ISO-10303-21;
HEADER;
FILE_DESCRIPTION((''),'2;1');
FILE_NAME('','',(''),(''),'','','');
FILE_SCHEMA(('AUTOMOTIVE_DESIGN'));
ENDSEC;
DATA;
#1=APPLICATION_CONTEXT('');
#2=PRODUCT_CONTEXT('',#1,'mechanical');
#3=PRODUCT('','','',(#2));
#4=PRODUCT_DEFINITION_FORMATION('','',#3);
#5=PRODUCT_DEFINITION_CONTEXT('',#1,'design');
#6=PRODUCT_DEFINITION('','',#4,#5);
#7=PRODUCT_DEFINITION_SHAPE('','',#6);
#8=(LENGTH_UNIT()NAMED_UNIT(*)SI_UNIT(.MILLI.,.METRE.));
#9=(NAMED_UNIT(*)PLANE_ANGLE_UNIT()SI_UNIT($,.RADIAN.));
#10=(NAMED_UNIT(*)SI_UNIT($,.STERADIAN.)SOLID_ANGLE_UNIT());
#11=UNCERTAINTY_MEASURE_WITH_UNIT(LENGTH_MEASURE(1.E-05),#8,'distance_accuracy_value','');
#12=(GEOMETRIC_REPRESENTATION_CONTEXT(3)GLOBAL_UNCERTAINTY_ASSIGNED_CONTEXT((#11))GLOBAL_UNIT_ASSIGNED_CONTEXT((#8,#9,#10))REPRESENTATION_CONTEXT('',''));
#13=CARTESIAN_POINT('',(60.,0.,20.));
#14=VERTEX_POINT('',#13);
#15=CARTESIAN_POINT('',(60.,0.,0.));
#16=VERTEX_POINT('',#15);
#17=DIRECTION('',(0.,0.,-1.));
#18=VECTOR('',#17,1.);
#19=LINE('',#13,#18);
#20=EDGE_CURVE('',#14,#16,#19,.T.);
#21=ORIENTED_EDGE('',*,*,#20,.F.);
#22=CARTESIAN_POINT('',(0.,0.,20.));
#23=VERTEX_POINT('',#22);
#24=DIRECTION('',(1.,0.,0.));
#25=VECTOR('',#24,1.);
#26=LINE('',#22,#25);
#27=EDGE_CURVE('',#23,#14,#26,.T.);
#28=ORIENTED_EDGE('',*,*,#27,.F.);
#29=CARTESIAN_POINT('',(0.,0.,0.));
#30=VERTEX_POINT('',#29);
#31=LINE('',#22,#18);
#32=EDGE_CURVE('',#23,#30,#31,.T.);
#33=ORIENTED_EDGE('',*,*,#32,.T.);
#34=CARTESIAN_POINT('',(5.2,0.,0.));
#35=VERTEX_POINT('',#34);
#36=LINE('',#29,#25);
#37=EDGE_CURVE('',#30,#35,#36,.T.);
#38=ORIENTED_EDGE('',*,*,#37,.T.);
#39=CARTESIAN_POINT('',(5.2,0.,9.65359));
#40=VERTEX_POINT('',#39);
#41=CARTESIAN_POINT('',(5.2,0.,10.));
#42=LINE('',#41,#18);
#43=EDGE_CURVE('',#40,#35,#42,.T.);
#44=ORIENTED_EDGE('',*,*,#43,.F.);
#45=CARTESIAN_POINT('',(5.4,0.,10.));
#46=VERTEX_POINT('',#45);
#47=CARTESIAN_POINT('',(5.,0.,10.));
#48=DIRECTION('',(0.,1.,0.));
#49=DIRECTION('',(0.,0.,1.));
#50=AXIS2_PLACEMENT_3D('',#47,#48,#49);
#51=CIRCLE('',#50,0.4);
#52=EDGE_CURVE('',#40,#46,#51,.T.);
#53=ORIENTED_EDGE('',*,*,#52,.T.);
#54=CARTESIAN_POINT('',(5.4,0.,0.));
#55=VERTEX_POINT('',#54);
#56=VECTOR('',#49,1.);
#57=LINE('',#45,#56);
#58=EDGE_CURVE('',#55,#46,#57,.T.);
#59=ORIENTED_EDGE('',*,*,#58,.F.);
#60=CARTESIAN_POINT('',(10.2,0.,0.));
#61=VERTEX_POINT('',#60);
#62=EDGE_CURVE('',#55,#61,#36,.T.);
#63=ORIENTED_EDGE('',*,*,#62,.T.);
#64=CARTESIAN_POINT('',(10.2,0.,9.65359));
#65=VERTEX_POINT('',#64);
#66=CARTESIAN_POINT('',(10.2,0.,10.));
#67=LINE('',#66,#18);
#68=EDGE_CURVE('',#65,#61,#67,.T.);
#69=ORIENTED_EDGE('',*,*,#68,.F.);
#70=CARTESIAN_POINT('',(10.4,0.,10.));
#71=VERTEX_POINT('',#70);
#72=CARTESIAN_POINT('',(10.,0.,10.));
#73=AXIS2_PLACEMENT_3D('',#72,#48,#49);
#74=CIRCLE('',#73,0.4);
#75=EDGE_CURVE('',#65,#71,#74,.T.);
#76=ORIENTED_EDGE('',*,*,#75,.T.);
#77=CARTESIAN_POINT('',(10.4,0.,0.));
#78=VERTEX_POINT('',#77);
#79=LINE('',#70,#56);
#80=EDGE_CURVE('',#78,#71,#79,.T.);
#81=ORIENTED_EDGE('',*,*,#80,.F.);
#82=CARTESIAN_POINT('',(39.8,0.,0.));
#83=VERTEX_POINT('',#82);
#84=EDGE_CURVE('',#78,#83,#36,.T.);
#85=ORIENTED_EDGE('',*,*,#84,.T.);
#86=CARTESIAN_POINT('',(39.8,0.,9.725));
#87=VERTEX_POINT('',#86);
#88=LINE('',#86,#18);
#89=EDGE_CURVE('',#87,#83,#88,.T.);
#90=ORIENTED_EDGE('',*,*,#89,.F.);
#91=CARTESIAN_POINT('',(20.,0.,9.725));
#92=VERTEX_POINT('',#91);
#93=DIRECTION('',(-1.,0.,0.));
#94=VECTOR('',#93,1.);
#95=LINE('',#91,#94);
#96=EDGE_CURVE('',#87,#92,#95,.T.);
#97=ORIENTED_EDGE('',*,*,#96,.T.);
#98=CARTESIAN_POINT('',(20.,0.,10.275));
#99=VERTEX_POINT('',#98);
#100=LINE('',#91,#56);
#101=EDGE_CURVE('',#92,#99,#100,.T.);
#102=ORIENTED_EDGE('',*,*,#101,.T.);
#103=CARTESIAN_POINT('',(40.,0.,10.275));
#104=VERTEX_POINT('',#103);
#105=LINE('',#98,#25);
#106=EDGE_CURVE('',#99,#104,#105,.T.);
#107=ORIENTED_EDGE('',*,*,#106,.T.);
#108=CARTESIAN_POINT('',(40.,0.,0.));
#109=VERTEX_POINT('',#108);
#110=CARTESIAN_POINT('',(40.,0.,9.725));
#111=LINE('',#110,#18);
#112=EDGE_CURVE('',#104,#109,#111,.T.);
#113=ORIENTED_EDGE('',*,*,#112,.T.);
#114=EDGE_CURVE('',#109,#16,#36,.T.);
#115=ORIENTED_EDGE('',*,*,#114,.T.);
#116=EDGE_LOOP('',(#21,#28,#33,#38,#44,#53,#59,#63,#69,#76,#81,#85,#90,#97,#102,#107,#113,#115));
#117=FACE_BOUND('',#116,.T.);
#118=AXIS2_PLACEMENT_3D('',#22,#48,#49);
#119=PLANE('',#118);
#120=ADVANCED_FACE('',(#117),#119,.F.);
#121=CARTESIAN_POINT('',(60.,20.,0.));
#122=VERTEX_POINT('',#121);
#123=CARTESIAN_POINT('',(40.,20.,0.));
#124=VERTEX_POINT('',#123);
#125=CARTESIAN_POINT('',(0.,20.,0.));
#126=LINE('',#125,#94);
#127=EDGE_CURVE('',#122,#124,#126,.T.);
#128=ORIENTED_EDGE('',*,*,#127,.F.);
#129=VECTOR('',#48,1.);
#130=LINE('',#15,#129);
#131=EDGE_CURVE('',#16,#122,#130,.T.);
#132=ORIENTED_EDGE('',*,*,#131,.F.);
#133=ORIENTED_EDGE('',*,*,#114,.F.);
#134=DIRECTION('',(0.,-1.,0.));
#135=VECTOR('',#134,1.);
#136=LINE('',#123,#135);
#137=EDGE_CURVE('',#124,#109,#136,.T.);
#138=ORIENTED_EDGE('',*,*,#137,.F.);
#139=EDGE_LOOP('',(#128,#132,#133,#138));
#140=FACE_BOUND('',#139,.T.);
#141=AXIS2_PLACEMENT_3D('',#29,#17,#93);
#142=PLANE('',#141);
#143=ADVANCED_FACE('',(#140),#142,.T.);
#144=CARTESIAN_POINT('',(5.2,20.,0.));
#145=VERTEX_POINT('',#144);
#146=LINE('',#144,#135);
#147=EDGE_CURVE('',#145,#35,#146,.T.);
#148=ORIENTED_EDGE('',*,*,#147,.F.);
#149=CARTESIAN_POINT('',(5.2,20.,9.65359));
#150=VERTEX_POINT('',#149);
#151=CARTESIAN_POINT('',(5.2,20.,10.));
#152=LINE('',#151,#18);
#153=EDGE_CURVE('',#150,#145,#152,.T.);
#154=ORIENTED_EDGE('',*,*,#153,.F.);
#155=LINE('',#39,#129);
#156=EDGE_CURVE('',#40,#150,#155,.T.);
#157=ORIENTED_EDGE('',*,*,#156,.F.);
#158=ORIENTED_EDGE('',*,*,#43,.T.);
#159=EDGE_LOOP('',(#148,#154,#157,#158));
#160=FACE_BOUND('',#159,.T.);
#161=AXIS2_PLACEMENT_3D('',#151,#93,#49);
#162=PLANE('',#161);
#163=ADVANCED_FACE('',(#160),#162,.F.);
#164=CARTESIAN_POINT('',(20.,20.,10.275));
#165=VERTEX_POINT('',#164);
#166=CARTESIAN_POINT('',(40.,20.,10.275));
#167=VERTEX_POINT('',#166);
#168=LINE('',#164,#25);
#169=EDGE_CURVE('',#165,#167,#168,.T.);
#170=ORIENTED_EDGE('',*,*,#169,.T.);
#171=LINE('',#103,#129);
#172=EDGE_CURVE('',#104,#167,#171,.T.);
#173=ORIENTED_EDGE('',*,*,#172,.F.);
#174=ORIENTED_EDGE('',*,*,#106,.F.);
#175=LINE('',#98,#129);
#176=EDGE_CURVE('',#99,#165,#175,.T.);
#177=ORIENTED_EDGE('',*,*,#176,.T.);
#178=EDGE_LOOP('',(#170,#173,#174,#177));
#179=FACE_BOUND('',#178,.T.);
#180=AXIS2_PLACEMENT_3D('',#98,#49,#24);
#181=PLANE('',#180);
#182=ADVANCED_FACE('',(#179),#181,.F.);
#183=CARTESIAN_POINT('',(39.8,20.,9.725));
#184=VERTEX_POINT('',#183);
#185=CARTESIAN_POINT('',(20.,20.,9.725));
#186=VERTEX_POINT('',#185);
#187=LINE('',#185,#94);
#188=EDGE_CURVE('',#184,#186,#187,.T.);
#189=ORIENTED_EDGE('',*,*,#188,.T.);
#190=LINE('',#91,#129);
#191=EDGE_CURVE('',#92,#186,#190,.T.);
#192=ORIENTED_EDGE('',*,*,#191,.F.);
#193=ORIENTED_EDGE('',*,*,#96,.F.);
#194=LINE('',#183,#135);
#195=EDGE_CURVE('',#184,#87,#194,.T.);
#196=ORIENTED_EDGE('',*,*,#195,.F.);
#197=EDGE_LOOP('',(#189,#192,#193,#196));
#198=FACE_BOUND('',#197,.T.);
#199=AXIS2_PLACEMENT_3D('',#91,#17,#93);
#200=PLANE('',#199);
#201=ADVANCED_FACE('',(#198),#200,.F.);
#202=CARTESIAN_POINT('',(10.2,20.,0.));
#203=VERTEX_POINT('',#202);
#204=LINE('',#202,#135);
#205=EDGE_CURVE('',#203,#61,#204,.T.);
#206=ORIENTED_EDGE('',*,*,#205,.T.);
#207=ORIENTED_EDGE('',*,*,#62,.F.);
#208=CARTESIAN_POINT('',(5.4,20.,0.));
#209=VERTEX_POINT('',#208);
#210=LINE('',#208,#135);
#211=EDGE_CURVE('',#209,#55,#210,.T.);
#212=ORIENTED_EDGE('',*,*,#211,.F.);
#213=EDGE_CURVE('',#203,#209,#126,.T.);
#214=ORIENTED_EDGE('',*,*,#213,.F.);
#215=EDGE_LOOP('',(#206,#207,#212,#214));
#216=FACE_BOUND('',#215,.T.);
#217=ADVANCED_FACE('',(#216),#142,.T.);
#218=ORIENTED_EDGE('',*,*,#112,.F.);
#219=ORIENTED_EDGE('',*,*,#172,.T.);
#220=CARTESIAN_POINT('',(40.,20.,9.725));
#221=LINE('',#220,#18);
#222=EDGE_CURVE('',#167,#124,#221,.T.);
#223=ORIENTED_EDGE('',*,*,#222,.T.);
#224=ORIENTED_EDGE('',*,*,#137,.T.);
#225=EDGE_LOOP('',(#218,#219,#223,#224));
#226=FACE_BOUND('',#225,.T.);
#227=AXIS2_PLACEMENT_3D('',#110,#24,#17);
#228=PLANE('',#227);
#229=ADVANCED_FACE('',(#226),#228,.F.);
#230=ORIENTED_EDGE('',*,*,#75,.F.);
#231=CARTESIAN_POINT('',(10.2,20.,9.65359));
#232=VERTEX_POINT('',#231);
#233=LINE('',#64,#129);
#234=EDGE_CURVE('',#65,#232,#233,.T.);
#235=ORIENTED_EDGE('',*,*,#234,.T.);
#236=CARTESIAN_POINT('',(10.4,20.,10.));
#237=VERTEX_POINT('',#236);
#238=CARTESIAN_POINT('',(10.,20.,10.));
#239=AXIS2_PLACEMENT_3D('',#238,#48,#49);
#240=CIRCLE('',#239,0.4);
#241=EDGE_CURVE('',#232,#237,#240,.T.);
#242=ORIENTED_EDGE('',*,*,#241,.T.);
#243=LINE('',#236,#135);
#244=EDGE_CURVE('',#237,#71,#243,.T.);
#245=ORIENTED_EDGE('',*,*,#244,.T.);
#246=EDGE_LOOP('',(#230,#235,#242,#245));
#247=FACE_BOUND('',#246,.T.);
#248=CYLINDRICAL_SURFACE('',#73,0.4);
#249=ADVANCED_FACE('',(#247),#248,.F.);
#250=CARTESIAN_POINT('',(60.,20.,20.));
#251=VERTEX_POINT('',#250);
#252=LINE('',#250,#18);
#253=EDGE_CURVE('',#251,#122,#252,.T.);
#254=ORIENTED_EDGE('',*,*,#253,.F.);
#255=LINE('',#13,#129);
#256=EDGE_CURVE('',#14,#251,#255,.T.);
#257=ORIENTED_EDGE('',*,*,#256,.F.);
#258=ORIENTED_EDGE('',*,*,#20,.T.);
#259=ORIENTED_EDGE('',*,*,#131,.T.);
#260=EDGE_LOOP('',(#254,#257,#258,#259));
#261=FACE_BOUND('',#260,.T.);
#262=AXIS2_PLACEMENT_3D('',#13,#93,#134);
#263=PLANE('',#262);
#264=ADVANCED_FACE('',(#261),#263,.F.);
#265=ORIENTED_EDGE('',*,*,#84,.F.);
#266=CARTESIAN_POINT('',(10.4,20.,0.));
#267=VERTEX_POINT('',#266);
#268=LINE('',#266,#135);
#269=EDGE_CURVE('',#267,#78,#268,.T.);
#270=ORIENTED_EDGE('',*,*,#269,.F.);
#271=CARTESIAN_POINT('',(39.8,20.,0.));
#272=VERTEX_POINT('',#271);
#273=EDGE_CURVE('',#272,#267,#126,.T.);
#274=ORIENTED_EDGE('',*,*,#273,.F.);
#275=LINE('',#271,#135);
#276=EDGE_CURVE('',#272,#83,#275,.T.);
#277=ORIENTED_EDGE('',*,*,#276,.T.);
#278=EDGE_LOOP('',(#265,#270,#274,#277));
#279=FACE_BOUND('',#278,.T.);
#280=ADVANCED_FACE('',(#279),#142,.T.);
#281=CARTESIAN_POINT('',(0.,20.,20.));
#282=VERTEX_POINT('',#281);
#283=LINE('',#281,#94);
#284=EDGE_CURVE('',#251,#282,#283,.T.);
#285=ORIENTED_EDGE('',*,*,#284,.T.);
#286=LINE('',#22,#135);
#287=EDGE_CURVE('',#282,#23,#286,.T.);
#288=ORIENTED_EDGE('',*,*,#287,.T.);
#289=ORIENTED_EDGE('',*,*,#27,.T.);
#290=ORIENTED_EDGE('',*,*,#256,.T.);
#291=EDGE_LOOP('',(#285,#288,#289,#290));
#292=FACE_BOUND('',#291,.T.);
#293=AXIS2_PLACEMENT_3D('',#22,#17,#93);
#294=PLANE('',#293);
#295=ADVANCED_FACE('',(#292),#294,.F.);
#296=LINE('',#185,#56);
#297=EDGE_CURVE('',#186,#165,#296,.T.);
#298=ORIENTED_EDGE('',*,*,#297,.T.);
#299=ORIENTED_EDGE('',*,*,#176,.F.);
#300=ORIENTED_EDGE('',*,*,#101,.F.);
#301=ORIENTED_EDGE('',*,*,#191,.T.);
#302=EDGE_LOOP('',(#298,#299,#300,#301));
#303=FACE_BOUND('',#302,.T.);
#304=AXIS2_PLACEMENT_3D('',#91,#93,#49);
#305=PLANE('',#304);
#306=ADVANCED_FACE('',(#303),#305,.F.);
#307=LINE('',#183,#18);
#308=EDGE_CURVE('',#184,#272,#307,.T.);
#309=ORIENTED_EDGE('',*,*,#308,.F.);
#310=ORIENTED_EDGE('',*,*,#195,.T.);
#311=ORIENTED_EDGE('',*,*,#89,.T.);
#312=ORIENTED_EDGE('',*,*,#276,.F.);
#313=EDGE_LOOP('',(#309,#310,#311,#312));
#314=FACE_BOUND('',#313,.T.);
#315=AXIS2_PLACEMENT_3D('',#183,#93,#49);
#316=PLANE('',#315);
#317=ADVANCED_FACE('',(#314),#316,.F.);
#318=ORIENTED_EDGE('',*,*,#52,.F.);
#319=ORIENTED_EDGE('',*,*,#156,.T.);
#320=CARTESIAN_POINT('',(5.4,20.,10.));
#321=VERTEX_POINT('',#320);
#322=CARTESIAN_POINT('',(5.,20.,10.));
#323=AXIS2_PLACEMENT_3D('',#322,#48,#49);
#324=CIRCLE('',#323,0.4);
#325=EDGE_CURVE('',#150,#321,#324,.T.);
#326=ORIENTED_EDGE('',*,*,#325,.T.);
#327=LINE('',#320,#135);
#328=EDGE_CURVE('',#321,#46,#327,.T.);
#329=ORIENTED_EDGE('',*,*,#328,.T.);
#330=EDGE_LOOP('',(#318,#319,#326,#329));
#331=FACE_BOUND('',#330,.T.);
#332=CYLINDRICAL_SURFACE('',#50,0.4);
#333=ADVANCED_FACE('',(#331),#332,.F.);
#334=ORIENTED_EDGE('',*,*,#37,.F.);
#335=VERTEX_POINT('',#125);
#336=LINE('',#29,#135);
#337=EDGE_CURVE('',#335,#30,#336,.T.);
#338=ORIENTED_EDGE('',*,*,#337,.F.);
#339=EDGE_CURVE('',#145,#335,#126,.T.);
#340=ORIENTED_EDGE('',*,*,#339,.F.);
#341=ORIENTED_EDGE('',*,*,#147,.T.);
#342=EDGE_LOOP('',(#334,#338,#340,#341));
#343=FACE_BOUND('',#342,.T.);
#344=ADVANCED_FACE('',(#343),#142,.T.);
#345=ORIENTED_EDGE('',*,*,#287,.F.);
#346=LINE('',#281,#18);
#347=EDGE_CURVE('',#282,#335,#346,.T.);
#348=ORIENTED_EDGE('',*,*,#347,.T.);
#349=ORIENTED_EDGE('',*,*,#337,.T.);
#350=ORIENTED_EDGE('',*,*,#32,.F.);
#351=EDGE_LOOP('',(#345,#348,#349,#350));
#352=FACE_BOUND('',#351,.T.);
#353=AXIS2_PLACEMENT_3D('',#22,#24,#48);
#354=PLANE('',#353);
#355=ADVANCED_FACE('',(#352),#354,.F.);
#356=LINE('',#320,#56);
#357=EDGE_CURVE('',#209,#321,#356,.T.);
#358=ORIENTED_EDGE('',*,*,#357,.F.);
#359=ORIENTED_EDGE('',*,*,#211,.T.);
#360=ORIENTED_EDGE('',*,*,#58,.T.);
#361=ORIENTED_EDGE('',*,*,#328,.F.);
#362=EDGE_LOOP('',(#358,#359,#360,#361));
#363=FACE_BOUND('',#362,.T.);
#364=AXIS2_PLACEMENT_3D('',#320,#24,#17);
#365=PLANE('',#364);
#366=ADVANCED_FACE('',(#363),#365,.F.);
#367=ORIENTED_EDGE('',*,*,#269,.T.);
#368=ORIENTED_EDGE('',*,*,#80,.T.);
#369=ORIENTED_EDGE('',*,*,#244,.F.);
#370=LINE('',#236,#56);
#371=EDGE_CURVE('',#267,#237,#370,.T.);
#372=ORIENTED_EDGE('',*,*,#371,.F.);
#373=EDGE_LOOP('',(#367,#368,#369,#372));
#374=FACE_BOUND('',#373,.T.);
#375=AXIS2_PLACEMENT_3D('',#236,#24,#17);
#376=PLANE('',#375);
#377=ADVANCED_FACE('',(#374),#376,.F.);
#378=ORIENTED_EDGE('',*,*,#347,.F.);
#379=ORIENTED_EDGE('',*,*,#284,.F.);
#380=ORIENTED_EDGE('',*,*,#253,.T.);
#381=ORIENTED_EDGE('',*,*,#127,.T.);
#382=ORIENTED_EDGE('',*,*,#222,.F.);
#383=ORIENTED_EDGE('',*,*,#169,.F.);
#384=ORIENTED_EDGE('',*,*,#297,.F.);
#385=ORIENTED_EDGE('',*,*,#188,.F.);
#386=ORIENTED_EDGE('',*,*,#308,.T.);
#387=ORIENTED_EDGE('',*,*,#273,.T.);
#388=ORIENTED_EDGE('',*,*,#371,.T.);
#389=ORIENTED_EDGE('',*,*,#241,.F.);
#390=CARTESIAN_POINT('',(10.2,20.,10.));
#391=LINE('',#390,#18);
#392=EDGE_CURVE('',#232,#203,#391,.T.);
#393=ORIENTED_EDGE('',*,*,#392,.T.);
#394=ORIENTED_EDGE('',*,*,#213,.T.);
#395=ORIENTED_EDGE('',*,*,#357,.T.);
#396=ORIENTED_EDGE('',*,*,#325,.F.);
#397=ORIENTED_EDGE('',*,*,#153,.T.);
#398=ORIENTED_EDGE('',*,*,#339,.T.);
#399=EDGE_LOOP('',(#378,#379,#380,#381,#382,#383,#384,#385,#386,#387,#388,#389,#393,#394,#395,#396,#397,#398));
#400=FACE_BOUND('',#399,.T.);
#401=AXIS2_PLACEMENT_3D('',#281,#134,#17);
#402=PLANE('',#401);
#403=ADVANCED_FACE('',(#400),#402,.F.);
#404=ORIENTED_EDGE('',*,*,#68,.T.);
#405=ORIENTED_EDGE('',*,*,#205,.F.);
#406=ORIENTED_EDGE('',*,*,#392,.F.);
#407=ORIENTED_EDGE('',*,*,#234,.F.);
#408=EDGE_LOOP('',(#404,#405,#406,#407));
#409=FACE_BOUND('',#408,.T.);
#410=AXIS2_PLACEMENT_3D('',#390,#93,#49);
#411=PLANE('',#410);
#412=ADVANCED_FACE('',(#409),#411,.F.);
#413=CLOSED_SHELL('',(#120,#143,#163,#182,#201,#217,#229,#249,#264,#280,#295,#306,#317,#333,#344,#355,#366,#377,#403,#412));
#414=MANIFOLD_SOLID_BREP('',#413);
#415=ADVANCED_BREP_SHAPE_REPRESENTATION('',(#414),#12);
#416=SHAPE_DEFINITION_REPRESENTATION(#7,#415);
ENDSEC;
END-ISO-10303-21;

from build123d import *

# Parameters (mm, degrees)
SKETCH_1_W          = 60
SKETCH_1_H          = 20
EXTRUDE_1_DEPTH     = 20
SKETCH_2_W          = 20
SKETCH_2_H          = 0.55
CUT_EXTRUDE_1_DEPTH = 67.332495807
SKETCH_3_R          = 0.4
CUT_EXTRUDE_2_DEPTH = 67.332495807
SKETCH_4_W          = 0.2
SKETCH_4_H          = 10
SKETCH_4_H_2        = 9.725
CUT_EXTRUDE_3_DEPTH = 67.332495807


with BuildPart() as part:
    # 草图1 → 凸台-拉伸1 (new body)
    with BuildSketch(Plane.XY):
        with Locations((30, 10)):
            Rectangle(SKETCH_1_W, SKETCH_1_H)
    extrude(amount=EXTRUDE_1_DEPTH)

    # 草图2 → 切除-拉伸1 (cut, through all)
    with BuildSketch(Plane(origin=(0, 20, 0), x_dir=(1, 0, 0), z_dir=(0, 1, 0))):
        with Locations((30, -10)):
            Rectangle(SKETCH_2_W, SKETCH_2_H)
    extrude(amount=-CUT_EXTRUDE_1_DEPTH, mode=Mode.SUBTRACT)

    # 草图3 → 切除-拉伸2 (cut, through all)
    with BuildSketch(Plane(origin=(0, 20, 0), x_dir=(1, 0, 0), z_dir=(0, 1, 0))):
        with Locations(Location((5, -10, 0), (0, 0, 270))):
            Circle(SKETCH_3_R)
        with Locations(Location((10, -10, 0), (0, 0, 270))):
            Circle(SKETCH_3_R)
    extrude(amount=-CUT_EXTRUDE_2_DEPTH, mode=Mode.SUBTRACT)

    # 草图4 → 切除-拉伸3 (cut, through all)
    with BuildSketch(Plane.XZ):
        with Locations((5.3, 5)):
            Rectangle(SKETCH_4_W, SKETCH_4_H)
        with Locations((10.3, 5)):
            Rectangle(SKETCH_4_W, SKETCH_4_H)
        with Locations((39.9, 4.8625)):
            Rectangle(SKETCH_4_W, SKETCH_4_H_2)
    extrude(amount=-CUT_EXTRUDE_3_DEPTH, mode=Mode.SUBTRACT)


solid = part.part
